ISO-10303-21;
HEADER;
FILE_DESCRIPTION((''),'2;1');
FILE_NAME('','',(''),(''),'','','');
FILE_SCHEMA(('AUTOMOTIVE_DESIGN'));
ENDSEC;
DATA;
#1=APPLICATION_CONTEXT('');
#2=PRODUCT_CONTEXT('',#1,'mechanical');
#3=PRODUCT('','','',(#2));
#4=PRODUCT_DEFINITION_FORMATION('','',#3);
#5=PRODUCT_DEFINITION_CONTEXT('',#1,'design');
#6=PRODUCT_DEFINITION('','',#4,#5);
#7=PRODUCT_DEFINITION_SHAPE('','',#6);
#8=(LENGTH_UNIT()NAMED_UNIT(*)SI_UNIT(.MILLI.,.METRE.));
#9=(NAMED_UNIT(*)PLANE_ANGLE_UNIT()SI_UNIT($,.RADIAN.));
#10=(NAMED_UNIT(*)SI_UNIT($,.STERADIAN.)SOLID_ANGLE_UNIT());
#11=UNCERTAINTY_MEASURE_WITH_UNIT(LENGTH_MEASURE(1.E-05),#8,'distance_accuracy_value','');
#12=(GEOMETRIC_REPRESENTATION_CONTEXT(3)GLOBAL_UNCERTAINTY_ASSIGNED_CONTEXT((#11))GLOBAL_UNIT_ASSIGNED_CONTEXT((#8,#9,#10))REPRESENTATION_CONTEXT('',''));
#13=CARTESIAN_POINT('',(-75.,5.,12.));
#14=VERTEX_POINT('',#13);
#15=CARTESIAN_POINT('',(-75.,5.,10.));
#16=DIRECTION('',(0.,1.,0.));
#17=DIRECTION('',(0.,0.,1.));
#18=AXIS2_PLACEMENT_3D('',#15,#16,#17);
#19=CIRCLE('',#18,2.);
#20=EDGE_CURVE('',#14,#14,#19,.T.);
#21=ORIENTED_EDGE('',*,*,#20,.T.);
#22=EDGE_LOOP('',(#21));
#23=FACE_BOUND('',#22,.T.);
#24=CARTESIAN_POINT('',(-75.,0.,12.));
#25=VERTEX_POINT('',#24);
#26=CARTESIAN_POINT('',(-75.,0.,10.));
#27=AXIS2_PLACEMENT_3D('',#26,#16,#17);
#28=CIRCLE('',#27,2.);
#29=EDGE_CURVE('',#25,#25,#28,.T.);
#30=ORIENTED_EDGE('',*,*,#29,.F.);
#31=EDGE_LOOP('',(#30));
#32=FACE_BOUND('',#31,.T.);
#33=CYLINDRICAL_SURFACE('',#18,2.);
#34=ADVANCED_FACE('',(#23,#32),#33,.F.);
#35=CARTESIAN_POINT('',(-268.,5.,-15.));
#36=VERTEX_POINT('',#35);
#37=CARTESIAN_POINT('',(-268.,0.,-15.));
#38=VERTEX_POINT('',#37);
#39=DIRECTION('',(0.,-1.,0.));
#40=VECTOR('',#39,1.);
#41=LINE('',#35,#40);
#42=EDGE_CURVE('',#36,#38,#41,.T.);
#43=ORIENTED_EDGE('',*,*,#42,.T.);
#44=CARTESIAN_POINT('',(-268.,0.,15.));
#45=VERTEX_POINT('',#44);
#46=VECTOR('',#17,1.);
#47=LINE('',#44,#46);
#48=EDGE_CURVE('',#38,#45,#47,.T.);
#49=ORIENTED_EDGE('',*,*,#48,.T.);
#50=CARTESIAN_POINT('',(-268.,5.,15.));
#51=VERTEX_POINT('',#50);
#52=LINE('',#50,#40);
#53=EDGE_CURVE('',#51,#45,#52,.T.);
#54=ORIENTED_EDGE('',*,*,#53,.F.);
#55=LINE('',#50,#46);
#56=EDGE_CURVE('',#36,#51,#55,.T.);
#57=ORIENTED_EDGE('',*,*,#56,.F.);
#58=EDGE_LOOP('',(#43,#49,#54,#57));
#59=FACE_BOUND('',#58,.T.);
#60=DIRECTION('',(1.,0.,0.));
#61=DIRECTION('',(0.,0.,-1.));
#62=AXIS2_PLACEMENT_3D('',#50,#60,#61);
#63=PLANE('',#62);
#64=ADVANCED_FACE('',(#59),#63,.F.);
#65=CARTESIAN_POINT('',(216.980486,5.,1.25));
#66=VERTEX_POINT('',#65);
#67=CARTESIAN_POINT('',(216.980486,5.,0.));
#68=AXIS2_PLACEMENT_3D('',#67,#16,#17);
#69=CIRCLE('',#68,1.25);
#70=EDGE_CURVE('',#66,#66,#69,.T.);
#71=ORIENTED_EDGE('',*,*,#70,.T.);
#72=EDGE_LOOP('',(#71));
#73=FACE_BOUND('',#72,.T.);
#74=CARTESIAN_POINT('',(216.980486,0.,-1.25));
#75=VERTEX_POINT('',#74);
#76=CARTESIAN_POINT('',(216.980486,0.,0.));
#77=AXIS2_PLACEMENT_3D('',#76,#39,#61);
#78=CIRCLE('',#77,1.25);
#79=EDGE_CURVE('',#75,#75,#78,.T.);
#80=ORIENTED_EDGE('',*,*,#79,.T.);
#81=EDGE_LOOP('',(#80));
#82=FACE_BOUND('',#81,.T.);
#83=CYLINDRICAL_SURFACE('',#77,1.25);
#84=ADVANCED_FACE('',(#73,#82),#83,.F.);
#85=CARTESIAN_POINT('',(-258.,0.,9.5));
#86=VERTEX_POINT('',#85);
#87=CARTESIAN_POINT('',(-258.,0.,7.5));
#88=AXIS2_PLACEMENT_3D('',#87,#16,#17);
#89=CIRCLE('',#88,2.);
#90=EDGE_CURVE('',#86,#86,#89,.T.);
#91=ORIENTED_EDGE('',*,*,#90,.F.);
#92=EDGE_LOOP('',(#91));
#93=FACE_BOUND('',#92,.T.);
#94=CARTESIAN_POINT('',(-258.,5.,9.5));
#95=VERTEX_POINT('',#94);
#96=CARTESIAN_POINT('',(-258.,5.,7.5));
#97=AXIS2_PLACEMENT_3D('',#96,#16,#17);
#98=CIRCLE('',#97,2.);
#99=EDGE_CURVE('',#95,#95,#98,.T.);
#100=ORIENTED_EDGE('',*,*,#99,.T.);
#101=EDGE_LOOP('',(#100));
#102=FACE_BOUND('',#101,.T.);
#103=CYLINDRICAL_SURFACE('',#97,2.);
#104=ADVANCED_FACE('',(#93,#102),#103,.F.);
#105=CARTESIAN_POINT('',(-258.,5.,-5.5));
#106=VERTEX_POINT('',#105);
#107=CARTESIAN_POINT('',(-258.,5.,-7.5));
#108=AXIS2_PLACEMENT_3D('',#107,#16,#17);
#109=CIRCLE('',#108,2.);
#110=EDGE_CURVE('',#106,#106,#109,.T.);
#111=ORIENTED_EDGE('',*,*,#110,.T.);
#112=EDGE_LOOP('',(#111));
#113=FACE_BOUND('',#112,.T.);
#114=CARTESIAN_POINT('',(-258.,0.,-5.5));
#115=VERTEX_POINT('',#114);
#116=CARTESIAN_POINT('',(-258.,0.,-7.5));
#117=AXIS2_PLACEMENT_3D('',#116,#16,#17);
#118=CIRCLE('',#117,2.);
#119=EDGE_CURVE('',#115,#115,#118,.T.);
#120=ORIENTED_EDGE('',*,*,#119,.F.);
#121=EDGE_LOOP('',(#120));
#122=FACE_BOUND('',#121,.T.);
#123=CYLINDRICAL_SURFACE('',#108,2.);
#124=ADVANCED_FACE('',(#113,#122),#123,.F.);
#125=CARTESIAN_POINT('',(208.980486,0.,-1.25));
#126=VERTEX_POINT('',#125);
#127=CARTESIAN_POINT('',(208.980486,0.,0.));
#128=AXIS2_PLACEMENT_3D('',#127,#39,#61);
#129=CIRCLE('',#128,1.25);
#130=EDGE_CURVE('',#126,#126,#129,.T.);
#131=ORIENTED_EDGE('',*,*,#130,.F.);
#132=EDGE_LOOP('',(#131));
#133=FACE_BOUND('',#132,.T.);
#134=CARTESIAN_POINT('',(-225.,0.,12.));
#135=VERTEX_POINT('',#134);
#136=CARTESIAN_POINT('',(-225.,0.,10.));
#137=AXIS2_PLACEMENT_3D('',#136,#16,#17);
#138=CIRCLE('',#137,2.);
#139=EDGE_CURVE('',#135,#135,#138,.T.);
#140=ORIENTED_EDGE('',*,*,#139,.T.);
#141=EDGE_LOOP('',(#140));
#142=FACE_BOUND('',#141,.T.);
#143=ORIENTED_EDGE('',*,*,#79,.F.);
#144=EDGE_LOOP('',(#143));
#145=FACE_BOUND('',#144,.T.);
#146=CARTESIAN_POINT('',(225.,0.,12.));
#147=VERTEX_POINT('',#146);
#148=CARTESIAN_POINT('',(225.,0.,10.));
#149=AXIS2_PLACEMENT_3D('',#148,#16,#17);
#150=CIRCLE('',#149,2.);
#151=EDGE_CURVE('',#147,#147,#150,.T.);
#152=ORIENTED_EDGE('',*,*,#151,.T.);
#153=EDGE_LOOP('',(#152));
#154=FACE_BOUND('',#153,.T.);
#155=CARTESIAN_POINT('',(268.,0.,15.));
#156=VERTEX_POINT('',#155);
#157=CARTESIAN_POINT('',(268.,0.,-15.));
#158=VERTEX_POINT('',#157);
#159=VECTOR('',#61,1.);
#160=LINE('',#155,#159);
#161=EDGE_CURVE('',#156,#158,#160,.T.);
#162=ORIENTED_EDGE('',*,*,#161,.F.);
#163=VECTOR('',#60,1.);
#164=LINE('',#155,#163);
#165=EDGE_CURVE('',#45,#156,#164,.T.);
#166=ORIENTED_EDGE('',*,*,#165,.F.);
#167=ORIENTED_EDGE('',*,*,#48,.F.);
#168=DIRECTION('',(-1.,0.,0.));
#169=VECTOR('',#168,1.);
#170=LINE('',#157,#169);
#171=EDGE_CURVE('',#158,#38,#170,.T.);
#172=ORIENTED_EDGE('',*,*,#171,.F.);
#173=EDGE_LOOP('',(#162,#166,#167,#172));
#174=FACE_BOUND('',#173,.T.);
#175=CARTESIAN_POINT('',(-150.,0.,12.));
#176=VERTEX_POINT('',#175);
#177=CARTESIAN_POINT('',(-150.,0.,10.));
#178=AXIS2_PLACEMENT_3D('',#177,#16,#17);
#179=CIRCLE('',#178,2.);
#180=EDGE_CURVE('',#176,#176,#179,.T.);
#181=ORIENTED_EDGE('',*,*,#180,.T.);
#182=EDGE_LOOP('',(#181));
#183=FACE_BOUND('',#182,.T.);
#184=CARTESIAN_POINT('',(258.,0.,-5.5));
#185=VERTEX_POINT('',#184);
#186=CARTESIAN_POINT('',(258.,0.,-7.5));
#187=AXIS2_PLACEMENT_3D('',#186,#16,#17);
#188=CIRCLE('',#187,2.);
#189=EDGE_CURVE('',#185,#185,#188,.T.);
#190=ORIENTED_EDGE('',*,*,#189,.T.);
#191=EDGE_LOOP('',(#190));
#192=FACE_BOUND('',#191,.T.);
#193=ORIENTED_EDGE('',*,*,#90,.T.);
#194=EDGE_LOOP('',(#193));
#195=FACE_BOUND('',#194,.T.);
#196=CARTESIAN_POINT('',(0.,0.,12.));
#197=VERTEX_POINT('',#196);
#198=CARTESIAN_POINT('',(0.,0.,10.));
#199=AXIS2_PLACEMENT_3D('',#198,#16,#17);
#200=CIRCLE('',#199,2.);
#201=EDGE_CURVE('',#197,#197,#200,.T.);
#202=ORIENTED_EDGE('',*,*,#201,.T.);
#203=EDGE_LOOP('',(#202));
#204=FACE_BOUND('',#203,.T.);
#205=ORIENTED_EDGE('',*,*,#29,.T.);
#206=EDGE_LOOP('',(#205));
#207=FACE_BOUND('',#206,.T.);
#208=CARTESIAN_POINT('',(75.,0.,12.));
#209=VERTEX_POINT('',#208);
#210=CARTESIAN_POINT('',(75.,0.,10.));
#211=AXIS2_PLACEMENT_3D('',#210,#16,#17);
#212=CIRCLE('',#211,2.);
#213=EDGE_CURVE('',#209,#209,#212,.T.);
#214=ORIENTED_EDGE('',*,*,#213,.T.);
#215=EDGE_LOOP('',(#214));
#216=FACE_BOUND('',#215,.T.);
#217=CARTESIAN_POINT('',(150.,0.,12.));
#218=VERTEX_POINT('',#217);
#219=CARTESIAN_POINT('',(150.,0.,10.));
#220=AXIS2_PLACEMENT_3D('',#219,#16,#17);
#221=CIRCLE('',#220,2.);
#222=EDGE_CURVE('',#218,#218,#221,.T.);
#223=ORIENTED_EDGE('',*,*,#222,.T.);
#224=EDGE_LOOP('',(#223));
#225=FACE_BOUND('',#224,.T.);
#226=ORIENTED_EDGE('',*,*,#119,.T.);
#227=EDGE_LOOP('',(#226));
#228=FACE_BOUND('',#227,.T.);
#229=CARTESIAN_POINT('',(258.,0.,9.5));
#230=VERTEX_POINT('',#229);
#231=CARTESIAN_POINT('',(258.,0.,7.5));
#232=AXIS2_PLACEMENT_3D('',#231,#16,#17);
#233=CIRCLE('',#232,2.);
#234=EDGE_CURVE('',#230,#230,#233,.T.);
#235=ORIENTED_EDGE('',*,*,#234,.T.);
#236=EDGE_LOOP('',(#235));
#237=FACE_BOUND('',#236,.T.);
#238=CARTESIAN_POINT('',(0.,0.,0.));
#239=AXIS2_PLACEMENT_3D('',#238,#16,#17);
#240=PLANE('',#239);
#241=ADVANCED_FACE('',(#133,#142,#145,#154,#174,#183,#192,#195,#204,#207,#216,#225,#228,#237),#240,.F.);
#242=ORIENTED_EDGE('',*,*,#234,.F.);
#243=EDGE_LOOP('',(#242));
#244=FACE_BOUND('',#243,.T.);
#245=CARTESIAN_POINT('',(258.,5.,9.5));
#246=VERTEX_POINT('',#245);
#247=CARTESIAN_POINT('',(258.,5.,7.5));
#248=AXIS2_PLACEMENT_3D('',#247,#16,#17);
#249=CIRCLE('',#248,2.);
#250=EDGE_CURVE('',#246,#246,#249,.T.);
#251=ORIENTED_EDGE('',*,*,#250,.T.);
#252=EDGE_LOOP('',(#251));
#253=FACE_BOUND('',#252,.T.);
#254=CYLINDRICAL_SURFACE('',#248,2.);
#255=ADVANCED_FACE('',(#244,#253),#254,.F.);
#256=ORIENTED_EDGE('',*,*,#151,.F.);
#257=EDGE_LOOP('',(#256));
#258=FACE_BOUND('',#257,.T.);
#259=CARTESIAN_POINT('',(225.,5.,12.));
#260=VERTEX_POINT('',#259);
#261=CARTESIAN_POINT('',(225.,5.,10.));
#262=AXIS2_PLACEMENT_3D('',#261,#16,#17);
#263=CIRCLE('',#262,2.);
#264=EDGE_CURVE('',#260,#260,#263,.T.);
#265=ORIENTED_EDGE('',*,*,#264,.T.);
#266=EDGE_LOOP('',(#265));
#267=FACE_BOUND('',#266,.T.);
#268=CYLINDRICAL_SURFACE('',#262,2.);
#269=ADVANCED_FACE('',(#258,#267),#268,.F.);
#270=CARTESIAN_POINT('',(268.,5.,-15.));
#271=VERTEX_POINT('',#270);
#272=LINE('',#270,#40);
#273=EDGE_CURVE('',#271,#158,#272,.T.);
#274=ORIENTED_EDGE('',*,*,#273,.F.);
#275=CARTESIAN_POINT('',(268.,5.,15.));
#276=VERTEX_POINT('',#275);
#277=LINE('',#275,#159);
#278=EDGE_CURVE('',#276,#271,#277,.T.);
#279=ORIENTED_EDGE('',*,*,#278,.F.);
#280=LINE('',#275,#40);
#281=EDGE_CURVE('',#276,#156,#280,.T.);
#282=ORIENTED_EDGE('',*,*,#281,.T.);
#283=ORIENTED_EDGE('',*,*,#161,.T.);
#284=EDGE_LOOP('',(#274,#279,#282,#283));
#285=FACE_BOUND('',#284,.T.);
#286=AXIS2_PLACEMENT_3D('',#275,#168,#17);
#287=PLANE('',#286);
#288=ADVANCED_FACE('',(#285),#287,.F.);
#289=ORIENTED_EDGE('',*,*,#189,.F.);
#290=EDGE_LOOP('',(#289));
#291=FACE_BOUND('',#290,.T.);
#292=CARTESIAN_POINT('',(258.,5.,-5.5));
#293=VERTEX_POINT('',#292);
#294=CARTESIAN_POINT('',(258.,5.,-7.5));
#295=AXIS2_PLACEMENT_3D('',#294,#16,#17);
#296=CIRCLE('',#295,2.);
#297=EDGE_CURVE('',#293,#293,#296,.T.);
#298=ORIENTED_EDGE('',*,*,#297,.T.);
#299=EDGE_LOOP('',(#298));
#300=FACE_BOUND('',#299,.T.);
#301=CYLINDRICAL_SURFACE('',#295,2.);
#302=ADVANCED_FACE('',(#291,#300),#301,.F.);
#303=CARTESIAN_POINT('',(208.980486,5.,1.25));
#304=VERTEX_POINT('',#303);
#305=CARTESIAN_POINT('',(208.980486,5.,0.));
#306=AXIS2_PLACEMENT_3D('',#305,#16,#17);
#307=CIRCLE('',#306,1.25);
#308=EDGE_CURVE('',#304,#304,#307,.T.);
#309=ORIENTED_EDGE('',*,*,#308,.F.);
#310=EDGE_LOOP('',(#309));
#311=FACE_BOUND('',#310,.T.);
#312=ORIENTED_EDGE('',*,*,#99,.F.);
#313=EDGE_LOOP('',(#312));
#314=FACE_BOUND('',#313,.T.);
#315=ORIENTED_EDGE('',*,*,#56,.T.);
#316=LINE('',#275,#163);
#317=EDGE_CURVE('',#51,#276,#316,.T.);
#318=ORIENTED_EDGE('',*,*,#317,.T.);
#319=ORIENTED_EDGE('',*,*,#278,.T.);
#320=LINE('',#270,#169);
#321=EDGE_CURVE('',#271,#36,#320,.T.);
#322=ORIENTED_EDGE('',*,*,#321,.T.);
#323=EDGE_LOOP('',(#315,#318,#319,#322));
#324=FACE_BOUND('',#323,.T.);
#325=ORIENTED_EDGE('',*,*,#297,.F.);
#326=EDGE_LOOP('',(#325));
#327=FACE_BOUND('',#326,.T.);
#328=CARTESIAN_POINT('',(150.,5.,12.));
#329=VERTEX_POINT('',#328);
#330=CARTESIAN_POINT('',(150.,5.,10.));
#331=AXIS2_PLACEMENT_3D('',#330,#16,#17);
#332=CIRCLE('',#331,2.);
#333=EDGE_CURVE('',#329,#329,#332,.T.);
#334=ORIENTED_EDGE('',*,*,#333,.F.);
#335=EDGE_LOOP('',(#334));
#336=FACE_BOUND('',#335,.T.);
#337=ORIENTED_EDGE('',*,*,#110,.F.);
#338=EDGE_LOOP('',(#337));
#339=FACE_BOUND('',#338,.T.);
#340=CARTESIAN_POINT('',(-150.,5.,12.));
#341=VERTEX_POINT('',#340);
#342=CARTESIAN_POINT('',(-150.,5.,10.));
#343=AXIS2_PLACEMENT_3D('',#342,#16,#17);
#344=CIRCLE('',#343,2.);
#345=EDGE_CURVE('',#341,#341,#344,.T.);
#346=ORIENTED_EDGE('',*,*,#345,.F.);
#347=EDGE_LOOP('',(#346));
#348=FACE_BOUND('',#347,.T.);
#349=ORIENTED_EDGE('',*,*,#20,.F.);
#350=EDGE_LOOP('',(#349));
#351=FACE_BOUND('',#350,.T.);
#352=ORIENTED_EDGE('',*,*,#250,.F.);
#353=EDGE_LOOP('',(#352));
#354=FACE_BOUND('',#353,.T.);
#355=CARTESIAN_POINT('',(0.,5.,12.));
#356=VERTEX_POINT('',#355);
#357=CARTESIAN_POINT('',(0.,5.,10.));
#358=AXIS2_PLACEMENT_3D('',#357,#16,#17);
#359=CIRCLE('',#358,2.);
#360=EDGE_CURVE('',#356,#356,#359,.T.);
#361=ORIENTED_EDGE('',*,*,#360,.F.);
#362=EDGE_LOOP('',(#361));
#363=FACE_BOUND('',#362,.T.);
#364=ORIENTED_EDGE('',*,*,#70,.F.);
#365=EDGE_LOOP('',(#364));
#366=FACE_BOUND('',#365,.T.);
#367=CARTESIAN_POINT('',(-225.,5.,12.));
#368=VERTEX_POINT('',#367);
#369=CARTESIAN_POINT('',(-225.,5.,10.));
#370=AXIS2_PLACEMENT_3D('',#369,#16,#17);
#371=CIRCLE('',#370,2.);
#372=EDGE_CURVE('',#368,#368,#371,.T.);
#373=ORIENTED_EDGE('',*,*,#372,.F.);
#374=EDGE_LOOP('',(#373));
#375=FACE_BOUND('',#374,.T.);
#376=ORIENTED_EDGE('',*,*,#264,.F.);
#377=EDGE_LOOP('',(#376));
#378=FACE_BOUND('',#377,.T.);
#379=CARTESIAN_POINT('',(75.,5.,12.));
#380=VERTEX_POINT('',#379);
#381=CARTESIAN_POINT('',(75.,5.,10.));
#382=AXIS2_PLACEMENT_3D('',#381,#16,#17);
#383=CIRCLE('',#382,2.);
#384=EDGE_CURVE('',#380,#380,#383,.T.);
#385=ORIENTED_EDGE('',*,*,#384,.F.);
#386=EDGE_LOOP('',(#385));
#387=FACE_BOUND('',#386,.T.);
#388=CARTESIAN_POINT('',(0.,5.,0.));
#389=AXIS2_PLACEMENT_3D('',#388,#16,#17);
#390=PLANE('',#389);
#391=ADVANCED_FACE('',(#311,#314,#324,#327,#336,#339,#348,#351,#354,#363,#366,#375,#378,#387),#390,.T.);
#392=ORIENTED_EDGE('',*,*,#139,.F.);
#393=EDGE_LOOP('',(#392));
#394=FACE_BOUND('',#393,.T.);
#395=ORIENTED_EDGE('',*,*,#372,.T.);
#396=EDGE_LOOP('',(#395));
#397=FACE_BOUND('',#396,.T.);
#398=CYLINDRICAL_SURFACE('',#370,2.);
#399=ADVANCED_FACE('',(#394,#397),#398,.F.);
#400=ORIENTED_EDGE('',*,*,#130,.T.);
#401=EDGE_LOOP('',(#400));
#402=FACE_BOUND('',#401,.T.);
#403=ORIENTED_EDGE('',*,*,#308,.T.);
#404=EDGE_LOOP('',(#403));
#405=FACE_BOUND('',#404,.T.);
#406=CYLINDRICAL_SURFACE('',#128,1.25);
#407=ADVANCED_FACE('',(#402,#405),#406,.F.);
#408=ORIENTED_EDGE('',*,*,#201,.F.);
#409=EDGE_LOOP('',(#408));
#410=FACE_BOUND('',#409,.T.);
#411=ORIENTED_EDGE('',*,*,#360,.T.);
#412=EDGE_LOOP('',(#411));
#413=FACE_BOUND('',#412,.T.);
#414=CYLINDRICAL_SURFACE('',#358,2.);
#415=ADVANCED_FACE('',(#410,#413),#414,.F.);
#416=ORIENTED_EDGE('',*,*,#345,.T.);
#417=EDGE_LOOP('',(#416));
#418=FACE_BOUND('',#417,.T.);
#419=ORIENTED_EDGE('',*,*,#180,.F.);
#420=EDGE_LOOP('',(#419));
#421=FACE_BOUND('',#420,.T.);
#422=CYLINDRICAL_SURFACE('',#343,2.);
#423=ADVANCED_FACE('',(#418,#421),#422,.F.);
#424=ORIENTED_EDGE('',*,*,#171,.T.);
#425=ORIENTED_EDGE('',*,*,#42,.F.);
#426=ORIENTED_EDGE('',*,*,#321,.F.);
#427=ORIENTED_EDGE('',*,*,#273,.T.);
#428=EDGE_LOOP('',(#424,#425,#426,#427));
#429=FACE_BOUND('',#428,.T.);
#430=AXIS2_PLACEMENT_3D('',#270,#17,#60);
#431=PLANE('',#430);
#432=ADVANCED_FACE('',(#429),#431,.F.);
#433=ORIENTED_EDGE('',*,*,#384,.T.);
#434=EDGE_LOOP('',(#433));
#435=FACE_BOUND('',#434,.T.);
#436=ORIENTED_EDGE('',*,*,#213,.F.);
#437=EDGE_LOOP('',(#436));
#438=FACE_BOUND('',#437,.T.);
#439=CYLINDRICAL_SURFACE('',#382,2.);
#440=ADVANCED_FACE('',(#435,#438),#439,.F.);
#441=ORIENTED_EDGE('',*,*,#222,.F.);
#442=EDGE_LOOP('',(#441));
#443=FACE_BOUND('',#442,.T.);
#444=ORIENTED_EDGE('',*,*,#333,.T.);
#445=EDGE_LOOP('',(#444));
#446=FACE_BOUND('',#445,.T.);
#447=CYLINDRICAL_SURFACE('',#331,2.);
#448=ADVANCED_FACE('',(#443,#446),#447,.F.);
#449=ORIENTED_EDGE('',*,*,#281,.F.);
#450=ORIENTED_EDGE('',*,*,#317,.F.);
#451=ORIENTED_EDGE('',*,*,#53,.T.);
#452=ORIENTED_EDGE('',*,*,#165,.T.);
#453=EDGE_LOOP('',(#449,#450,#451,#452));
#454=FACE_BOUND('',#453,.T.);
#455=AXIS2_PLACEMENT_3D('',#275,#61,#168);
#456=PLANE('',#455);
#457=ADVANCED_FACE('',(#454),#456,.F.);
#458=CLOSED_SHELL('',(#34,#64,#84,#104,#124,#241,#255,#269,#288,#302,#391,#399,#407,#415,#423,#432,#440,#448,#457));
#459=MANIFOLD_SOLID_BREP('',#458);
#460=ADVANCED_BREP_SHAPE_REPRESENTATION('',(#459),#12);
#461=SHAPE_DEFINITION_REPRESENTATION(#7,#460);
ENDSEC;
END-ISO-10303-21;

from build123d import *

# Parameters (mm, degrees)
SKETCH1_W                = 536
SKETCH1_H                = 30
BOSS_EXTRUDE1_DEPTH      = 5
F_4_0_4_DIAMETER_HOLE1_D = 4
M3_TAPPED_HOLE1_D        = 2.5
M3_TAPPED_HOLE1_DEPTH    = 7.5
M3_TAPPED_HOLE1_TIP      = 0.751075774


with BuildPart() as part:
    # Sketch1 → Boss-Extrude1 (new body)
    with BuildSketch(Plane(origin=(0, 0, 0), x_dir=(1, 0, 0), z_dir=(0, 1, 0))):
        Rectangle(SKETCH1_W, SKETCH1_H)
    extrude(amount=BOSS_EXTRUDE1_DEPTH)

    # Ø4.0 (4) Diameter Hole1 (through all)
    with Locations(Plane(origin=(-258, 5, -7.5), x_dir=(0, 0, 1), z_dir=(0, 1, 0))):
        with Locations((0, 0), (15, 0), (17.5, 33), (17.5, 108), (17.5, 183), (17.5, 258), (17.5, 333), (17.5, 408), (17.5, 483), (15, 516), (0, 516)):
            Hole(F_4_0_4_DIAMETER_HOLE1_D / 2)

    # M3 Tapped Hole1
    with Locations(Plane(origin=(216.980485857, 0, 0), x_dir=(0, 0, -1), z_dir=(0, -1, 0))):
        with Locations((0, 0), (0, -8)):
            Hole(M3_TAPPED_HOLE1_D / 2, depth=M3_TAPPED_HOLE1_DEPTH)
            with Locations((0, 0, -(M3_TAPPED_HOLE1_DEPTH + M3_TAPPED_HOLE1_TIP / 2))):  # 118° drill point
                Cone(0, M3_TAPPED_HOLE1_D / 2, M3_TAPPED_HOLE1_TIP, mode=Mode.SUBTRACT)


solid = part.part
